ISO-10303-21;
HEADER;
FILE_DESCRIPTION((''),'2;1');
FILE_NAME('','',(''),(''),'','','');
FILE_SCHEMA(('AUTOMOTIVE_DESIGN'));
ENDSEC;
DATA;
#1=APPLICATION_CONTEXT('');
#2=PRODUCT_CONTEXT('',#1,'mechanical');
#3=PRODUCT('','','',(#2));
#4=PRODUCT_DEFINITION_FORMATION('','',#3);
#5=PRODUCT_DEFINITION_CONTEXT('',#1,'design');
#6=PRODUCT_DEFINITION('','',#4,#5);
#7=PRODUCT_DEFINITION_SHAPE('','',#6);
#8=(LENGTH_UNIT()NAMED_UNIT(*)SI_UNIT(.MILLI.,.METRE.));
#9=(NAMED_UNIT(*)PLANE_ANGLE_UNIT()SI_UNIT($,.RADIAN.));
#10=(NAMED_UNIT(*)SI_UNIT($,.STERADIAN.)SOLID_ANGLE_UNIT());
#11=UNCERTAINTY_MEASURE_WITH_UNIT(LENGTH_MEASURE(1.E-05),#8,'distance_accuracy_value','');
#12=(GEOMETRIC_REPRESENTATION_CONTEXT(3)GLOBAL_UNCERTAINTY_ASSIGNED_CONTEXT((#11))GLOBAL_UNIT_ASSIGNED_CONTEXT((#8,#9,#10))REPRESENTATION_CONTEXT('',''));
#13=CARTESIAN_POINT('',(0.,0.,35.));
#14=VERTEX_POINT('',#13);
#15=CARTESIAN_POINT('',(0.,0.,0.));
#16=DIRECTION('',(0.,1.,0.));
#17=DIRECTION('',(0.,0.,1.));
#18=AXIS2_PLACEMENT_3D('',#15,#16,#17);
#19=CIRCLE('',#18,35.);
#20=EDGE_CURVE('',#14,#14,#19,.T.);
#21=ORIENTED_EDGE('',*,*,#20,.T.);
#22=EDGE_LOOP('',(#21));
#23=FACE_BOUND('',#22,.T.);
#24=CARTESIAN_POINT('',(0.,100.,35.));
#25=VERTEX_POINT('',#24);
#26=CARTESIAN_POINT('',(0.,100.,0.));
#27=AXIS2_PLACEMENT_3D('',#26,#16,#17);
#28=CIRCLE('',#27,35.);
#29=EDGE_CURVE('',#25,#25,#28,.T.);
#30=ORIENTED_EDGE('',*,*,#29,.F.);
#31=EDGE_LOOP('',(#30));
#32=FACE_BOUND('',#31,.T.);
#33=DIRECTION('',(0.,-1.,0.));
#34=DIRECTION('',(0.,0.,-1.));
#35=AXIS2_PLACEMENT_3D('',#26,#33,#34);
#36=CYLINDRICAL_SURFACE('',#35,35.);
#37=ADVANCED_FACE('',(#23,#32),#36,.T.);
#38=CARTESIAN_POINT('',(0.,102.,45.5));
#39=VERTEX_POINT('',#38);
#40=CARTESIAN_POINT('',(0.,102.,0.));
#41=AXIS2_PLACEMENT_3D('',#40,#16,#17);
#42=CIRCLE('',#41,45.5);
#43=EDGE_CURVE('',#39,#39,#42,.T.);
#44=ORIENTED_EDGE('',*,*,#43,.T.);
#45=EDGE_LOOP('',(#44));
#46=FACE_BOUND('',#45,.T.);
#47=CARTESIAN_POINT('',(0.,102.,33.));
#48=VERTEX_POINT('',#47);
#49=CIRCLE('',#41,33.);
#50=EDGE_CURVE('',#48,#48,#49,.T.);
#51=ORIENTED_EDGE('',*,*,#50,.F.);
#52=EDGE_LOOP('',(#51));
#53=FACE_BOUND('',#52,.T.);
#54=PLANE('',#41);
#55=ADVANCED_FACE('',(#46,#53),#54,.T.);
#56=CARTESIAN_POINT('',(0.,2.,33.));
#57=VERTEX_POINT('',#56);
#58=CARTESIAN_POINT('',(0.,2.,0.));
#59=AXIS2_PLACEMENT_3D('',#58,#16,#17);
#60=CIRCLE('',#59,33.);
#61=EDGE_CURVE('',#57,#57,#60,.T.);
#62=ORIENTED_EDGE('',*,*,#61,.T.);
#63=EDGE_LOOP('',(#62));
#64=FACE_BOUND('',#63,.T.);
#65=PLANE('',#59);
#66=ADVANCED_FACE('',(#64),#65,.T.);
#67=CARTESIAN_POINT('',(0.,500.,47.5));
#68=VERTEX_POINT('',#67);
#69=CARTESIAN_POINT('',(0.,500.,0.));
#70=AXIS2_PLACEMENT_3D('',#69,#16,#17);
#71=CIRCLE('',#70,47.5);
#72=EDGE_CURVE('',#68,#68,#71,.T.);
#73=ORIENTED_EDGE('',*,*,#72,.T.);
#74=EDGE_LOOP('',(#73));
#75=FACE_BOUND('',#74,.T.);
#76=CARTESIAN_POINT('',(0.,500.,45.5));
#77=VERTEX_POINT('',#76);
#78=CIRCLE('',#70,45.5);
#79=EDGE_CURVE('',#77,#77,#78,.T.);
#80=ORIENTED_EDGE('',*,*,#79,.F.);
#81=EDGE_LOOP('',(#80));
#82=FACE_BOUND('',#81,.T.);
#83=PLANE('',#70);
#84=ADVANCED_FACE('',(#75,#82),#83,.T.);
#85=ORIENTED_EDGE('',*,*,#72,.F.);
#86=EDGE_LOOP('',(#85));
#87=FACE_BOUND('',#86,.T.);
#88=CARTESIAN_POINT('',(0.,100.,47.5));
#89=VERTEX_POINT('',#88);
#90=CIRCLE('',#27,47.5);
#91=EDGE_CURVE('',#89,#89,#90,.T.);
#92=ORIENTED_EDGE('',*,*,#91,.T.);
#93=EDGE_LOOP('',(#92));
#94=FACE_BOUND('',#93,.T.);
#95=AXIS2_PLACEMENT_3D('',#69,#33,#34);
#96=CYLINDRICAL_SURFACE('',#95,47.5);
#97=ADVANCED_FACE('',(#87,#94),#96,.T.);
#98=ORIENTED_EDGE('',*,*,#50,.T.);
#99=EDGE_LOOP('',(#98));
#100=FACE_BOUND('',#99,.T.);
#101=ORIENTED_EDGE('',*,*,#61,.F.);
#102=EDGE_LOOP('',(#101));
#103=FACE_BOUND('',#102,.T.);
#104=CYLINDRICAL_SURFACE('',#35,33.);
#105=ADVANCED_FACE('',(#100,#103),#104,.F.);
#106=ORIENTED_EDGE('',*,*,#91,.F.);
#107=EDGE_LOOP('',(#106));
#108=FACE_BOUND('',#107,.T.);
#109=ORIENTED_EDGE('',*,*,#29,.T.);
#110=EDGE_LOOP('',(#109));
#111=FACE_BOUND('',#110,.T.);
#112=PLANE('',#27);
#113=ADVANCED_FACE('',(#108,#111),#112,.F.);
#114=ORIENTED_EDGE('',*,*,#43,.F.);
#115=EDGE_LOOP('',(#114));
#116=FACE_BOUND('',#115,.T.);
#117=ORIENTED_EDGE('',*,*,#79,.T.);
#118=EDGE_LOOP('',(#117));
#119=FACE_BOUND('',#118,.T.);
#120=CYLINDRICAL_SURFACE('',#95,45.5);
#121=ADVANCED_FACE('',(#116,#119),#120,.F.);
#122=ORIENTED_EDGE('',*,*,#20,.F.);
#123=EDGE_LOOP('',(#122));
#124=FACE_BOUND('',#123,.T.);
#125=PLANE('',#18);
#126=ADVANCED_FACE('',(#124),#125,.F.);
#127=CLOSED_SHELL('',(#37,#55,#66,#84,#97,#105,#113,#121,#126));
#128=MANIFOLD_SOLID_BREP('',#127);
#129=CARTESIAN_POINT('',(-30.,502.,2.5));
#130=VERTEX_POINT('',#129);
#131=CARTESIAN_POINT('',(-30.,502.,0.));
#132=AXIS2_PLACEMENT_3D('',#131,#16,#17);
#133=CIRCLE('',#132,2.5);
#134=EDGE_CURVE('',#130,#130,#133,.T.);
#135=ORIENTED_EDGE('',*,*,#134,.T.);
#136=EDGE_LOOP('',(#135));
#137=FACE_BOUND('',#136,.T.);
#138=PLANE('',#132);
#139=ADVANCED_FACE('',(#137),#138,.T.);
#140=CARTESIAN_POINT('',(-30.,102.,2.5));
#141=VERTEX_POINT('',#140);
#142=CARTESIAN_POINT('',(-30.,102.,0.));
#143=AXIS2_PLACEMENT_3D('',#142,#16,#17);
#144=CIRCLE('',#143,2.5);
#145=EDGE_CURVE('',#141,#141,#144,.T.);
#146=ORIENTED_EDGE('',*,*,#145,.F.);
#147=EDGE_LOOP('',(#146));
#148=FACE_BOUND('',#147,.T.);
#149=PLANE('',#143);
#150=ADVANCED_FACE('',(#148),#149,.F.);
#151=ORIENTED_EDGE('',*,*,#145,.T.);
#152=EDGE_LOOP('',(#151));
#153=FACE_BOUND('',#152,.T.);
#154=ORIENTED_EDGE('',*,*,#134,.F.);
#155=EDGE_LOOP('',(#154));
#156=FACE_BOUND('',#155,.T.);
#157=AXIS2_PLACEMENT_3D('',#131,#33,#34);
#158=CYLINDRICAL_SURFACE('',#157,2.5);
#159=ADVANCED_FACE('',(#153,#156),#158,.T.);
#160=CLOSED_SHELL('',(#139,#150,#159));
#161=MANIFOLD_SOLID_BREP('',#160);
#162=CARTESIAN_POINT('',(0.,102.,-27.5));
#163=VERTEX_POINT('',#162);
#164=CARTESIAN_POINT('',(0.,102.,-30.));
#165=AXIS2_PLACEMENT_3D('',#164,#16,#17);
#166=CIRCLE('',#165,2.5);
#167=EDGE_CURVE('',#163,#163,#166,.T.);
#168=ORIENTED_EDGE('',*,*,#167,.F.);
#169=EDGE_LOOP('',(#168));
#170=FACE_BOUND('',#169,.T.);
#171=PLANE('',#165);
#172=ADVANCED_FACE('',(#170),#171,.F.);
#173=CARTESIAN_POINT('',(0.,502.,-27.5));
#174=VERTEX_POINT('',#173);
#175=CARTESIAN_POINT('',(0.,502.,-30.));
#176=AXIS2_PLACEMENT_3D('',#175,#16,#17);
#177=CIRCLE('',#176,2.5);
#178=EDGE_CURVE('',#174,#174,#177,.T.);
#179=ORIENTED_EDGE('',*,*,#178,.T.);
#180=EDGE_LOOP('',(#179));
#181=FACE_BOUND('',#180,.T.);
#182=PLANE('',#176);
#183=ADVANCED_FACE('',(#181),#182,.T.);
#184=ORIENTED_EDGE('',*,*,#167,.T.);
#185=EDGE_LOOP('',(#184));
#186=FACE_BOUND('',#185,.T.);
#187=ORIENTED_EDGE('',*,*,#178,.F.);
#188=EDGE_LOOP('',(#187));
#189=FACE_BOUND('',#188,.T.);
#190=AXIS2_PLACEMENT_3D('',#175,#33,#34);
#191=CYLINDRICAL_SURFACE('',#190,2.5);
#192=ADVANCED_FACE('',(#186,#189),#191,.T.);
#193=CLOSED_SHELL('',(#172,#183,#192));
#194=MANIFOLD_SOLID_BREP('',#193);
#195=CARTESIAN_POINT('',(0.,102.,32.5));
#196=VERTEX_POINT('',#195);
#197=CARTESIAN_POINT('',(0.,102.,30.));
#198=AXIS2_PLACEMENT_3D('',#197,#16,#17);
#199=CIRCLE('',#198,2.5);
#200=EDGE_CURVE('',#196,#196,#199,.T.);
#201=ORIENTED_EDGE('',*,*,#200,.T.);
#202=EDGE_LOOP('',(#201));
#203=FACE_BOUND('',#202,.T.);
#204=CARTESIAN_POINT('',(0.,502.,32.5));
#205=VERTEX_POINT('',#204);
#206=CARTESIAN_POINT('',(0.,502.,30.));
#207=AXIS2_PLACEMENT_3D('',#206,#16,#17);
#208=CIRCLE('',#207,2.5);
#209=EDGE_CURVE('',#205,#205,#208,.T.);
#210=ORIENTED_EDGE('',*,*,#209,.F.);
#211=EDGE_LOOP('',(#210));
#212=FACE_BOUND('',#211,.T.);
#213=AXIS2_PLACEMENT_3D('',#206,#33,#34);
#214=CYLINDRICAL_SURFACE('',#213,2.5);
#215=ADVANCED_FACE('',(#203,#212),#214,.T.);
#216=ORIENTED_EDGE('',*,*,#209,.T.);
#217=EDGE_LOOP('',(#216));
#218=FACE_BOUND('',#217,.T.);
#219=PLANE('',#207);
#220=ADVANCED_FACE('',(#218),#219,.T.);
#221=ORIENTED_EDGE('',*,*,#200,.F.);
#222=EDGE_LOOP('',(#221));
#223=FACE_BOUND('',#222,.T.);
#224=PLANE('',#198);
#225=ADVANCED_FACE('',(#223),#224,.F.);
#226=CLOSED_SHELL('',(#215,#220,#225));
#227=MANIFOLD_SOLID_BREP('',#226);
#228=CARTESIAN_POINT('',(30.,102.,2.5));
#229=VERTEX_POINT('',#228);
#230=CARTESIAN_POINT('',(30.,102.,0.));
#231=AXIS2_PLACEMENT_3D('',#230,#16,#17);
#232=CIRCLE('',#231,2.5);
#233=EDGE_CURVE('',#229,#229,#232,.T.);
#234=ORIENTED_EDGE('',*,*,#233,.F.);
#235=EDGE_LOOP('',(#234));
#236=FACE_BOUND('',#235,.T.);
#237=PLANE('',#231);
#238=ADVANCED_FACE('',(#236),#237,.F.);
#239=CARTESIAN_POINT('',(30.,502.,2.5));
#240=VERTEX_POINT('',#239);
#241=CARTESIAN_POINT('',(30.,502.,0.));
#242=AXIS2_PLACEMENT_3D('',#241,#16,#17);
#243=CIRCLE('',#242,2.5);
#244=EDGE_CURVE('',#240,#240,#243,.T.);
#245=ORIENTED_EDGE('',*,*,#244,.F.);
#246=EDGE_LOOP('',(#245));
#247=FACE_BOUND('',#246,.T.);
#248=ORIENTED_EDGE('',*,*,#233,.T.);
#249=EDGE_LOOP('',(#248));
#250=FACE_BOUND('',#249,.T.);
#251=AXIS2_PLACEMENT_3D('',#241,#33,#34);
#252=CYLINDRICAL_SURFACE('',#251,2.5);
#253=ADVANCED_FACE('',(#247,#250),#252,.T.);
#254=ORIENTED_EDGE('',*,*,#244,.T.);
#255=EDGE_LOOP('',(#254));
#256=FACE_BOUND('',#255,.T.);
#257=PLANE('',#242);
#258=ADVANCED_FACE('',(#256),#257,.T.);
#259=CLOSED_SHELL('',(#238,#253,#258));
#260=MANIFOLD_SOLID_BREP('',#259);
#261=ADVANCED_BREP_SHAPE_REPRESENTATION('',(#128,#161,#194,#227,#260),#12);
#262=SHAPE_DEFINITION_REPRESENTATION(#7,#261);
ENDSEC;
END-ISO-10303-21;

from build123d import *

# Parameters (mm, degrees)
SKETCH1_R             = 35
BOSS_EXTRUDE1_DEPTH   = 100
SKETCH2_R             = 47.5
BOSS_EXTRUDE2_DEPTH   = 400
SHELL1_T              = -2
SKETCH3_R             = 2.5
BOSS_EXTRUDE3_DEPTH   = 400
BOSS_EXTRUDE3_2_DEPTH = 400
BOSS_EXTRUDE3_3_DEPTH = 400
BOSS_EXTRUDE3_4_DEPTH = 400


with BuildPart() as part:
    # Sketch1 → Boss-Extrude1 (new body)
    with BuildSketch(Plane(origin=(0, 0, 0), x_dir=(1, 0, 0), z_dir=(0, 1, 0))):
        with Locations(Location((0, 0, 0), (0, 0, 270))):
            Circle(SKETCH1_R)
    extrude(amount=BOSS_EXTRUDE1_DEPTH)

    # Sketch2 → Boss-Extrude2 (add)
    with BuildSketch(Plane(origin=(0, 100, 0), x_dir=(1, 0, 0), z_dir=(0, 1, 0))):
        with Locations(Location((0, 0, 0), (0, 0, 270))):
            Circle(SKETCH2_R)
    extrude(amount=BOSS_EXTRUDE2_DEPTH)

    # Shell1
    shell1_openings = [part.faces().sort_by_distance(p)[0] for p in [
        (0, 500, 0),
    ]]
    offset(amount=SHELL1_T, openings=shell1_openings, kind=Kind.INTERSECTION)


with BuildPart() as body_2:
    # Sketch3 → Boss-Extrude3 (new body)
    with BuildSketch(Plane(origin=(0, 102, 0), x_dir=(1, 0, 0), z_dir=(0, 1, 0))):
        with Locations(Location((-30, 0, 0), (0, 0, 270))):
            Circle(SKETCH3_R)
    extrude(amount=BOSS_EXTRUDE3_DEPTH)


with BuildPart() as body_3:
    # Sketch3 → Boss-Extrude3 2 (new body)
    with BuildSketch(Plane(origin=(0, 102, 0), x_dir=(1, 0, 0), z_dir=(0, 1, 0))):
        with Locations(Location((0, 30, 0), (0, 0, 270))):
            Circle(SKETCH3_R)
    extrude(amount=BOSS_EXTRUDE3_2_DEPTH)


with BuildPart() as body_4:
    # Sketch3 → Boss-Extrude3 3 (new body)
    with BuildSketch(Plane(origin=(0, 102, 0), x_dir=(1, 0, 0), z_dir=(0, 1, 0))):
        with Locations(Location((30, 0, 0), (0, 0, 270))):
            Circle(SKETCH3_R)
    extrude(amount=BOSS_EXTRUDE3_3_DEPTH)


with BuildPart() as body_5:
    # Sketch3 → Boss-Extrude3 4 (new body)
    with BuildSketch(Plane(origin=(0, 102, 0), x_dir=(1, 0, 0), z_dir=(0, 1, 0))):
        with Locations(Location((0, -30, 0), (0, 0, 270))):
            Circle(SKETCH3_R)
    extrude(amount=BOSS_EXTRUDE3_4_DEPTH)


solid = Compound([part.part, body_2.part, body_3.part, body_4.part, body_5.part])
